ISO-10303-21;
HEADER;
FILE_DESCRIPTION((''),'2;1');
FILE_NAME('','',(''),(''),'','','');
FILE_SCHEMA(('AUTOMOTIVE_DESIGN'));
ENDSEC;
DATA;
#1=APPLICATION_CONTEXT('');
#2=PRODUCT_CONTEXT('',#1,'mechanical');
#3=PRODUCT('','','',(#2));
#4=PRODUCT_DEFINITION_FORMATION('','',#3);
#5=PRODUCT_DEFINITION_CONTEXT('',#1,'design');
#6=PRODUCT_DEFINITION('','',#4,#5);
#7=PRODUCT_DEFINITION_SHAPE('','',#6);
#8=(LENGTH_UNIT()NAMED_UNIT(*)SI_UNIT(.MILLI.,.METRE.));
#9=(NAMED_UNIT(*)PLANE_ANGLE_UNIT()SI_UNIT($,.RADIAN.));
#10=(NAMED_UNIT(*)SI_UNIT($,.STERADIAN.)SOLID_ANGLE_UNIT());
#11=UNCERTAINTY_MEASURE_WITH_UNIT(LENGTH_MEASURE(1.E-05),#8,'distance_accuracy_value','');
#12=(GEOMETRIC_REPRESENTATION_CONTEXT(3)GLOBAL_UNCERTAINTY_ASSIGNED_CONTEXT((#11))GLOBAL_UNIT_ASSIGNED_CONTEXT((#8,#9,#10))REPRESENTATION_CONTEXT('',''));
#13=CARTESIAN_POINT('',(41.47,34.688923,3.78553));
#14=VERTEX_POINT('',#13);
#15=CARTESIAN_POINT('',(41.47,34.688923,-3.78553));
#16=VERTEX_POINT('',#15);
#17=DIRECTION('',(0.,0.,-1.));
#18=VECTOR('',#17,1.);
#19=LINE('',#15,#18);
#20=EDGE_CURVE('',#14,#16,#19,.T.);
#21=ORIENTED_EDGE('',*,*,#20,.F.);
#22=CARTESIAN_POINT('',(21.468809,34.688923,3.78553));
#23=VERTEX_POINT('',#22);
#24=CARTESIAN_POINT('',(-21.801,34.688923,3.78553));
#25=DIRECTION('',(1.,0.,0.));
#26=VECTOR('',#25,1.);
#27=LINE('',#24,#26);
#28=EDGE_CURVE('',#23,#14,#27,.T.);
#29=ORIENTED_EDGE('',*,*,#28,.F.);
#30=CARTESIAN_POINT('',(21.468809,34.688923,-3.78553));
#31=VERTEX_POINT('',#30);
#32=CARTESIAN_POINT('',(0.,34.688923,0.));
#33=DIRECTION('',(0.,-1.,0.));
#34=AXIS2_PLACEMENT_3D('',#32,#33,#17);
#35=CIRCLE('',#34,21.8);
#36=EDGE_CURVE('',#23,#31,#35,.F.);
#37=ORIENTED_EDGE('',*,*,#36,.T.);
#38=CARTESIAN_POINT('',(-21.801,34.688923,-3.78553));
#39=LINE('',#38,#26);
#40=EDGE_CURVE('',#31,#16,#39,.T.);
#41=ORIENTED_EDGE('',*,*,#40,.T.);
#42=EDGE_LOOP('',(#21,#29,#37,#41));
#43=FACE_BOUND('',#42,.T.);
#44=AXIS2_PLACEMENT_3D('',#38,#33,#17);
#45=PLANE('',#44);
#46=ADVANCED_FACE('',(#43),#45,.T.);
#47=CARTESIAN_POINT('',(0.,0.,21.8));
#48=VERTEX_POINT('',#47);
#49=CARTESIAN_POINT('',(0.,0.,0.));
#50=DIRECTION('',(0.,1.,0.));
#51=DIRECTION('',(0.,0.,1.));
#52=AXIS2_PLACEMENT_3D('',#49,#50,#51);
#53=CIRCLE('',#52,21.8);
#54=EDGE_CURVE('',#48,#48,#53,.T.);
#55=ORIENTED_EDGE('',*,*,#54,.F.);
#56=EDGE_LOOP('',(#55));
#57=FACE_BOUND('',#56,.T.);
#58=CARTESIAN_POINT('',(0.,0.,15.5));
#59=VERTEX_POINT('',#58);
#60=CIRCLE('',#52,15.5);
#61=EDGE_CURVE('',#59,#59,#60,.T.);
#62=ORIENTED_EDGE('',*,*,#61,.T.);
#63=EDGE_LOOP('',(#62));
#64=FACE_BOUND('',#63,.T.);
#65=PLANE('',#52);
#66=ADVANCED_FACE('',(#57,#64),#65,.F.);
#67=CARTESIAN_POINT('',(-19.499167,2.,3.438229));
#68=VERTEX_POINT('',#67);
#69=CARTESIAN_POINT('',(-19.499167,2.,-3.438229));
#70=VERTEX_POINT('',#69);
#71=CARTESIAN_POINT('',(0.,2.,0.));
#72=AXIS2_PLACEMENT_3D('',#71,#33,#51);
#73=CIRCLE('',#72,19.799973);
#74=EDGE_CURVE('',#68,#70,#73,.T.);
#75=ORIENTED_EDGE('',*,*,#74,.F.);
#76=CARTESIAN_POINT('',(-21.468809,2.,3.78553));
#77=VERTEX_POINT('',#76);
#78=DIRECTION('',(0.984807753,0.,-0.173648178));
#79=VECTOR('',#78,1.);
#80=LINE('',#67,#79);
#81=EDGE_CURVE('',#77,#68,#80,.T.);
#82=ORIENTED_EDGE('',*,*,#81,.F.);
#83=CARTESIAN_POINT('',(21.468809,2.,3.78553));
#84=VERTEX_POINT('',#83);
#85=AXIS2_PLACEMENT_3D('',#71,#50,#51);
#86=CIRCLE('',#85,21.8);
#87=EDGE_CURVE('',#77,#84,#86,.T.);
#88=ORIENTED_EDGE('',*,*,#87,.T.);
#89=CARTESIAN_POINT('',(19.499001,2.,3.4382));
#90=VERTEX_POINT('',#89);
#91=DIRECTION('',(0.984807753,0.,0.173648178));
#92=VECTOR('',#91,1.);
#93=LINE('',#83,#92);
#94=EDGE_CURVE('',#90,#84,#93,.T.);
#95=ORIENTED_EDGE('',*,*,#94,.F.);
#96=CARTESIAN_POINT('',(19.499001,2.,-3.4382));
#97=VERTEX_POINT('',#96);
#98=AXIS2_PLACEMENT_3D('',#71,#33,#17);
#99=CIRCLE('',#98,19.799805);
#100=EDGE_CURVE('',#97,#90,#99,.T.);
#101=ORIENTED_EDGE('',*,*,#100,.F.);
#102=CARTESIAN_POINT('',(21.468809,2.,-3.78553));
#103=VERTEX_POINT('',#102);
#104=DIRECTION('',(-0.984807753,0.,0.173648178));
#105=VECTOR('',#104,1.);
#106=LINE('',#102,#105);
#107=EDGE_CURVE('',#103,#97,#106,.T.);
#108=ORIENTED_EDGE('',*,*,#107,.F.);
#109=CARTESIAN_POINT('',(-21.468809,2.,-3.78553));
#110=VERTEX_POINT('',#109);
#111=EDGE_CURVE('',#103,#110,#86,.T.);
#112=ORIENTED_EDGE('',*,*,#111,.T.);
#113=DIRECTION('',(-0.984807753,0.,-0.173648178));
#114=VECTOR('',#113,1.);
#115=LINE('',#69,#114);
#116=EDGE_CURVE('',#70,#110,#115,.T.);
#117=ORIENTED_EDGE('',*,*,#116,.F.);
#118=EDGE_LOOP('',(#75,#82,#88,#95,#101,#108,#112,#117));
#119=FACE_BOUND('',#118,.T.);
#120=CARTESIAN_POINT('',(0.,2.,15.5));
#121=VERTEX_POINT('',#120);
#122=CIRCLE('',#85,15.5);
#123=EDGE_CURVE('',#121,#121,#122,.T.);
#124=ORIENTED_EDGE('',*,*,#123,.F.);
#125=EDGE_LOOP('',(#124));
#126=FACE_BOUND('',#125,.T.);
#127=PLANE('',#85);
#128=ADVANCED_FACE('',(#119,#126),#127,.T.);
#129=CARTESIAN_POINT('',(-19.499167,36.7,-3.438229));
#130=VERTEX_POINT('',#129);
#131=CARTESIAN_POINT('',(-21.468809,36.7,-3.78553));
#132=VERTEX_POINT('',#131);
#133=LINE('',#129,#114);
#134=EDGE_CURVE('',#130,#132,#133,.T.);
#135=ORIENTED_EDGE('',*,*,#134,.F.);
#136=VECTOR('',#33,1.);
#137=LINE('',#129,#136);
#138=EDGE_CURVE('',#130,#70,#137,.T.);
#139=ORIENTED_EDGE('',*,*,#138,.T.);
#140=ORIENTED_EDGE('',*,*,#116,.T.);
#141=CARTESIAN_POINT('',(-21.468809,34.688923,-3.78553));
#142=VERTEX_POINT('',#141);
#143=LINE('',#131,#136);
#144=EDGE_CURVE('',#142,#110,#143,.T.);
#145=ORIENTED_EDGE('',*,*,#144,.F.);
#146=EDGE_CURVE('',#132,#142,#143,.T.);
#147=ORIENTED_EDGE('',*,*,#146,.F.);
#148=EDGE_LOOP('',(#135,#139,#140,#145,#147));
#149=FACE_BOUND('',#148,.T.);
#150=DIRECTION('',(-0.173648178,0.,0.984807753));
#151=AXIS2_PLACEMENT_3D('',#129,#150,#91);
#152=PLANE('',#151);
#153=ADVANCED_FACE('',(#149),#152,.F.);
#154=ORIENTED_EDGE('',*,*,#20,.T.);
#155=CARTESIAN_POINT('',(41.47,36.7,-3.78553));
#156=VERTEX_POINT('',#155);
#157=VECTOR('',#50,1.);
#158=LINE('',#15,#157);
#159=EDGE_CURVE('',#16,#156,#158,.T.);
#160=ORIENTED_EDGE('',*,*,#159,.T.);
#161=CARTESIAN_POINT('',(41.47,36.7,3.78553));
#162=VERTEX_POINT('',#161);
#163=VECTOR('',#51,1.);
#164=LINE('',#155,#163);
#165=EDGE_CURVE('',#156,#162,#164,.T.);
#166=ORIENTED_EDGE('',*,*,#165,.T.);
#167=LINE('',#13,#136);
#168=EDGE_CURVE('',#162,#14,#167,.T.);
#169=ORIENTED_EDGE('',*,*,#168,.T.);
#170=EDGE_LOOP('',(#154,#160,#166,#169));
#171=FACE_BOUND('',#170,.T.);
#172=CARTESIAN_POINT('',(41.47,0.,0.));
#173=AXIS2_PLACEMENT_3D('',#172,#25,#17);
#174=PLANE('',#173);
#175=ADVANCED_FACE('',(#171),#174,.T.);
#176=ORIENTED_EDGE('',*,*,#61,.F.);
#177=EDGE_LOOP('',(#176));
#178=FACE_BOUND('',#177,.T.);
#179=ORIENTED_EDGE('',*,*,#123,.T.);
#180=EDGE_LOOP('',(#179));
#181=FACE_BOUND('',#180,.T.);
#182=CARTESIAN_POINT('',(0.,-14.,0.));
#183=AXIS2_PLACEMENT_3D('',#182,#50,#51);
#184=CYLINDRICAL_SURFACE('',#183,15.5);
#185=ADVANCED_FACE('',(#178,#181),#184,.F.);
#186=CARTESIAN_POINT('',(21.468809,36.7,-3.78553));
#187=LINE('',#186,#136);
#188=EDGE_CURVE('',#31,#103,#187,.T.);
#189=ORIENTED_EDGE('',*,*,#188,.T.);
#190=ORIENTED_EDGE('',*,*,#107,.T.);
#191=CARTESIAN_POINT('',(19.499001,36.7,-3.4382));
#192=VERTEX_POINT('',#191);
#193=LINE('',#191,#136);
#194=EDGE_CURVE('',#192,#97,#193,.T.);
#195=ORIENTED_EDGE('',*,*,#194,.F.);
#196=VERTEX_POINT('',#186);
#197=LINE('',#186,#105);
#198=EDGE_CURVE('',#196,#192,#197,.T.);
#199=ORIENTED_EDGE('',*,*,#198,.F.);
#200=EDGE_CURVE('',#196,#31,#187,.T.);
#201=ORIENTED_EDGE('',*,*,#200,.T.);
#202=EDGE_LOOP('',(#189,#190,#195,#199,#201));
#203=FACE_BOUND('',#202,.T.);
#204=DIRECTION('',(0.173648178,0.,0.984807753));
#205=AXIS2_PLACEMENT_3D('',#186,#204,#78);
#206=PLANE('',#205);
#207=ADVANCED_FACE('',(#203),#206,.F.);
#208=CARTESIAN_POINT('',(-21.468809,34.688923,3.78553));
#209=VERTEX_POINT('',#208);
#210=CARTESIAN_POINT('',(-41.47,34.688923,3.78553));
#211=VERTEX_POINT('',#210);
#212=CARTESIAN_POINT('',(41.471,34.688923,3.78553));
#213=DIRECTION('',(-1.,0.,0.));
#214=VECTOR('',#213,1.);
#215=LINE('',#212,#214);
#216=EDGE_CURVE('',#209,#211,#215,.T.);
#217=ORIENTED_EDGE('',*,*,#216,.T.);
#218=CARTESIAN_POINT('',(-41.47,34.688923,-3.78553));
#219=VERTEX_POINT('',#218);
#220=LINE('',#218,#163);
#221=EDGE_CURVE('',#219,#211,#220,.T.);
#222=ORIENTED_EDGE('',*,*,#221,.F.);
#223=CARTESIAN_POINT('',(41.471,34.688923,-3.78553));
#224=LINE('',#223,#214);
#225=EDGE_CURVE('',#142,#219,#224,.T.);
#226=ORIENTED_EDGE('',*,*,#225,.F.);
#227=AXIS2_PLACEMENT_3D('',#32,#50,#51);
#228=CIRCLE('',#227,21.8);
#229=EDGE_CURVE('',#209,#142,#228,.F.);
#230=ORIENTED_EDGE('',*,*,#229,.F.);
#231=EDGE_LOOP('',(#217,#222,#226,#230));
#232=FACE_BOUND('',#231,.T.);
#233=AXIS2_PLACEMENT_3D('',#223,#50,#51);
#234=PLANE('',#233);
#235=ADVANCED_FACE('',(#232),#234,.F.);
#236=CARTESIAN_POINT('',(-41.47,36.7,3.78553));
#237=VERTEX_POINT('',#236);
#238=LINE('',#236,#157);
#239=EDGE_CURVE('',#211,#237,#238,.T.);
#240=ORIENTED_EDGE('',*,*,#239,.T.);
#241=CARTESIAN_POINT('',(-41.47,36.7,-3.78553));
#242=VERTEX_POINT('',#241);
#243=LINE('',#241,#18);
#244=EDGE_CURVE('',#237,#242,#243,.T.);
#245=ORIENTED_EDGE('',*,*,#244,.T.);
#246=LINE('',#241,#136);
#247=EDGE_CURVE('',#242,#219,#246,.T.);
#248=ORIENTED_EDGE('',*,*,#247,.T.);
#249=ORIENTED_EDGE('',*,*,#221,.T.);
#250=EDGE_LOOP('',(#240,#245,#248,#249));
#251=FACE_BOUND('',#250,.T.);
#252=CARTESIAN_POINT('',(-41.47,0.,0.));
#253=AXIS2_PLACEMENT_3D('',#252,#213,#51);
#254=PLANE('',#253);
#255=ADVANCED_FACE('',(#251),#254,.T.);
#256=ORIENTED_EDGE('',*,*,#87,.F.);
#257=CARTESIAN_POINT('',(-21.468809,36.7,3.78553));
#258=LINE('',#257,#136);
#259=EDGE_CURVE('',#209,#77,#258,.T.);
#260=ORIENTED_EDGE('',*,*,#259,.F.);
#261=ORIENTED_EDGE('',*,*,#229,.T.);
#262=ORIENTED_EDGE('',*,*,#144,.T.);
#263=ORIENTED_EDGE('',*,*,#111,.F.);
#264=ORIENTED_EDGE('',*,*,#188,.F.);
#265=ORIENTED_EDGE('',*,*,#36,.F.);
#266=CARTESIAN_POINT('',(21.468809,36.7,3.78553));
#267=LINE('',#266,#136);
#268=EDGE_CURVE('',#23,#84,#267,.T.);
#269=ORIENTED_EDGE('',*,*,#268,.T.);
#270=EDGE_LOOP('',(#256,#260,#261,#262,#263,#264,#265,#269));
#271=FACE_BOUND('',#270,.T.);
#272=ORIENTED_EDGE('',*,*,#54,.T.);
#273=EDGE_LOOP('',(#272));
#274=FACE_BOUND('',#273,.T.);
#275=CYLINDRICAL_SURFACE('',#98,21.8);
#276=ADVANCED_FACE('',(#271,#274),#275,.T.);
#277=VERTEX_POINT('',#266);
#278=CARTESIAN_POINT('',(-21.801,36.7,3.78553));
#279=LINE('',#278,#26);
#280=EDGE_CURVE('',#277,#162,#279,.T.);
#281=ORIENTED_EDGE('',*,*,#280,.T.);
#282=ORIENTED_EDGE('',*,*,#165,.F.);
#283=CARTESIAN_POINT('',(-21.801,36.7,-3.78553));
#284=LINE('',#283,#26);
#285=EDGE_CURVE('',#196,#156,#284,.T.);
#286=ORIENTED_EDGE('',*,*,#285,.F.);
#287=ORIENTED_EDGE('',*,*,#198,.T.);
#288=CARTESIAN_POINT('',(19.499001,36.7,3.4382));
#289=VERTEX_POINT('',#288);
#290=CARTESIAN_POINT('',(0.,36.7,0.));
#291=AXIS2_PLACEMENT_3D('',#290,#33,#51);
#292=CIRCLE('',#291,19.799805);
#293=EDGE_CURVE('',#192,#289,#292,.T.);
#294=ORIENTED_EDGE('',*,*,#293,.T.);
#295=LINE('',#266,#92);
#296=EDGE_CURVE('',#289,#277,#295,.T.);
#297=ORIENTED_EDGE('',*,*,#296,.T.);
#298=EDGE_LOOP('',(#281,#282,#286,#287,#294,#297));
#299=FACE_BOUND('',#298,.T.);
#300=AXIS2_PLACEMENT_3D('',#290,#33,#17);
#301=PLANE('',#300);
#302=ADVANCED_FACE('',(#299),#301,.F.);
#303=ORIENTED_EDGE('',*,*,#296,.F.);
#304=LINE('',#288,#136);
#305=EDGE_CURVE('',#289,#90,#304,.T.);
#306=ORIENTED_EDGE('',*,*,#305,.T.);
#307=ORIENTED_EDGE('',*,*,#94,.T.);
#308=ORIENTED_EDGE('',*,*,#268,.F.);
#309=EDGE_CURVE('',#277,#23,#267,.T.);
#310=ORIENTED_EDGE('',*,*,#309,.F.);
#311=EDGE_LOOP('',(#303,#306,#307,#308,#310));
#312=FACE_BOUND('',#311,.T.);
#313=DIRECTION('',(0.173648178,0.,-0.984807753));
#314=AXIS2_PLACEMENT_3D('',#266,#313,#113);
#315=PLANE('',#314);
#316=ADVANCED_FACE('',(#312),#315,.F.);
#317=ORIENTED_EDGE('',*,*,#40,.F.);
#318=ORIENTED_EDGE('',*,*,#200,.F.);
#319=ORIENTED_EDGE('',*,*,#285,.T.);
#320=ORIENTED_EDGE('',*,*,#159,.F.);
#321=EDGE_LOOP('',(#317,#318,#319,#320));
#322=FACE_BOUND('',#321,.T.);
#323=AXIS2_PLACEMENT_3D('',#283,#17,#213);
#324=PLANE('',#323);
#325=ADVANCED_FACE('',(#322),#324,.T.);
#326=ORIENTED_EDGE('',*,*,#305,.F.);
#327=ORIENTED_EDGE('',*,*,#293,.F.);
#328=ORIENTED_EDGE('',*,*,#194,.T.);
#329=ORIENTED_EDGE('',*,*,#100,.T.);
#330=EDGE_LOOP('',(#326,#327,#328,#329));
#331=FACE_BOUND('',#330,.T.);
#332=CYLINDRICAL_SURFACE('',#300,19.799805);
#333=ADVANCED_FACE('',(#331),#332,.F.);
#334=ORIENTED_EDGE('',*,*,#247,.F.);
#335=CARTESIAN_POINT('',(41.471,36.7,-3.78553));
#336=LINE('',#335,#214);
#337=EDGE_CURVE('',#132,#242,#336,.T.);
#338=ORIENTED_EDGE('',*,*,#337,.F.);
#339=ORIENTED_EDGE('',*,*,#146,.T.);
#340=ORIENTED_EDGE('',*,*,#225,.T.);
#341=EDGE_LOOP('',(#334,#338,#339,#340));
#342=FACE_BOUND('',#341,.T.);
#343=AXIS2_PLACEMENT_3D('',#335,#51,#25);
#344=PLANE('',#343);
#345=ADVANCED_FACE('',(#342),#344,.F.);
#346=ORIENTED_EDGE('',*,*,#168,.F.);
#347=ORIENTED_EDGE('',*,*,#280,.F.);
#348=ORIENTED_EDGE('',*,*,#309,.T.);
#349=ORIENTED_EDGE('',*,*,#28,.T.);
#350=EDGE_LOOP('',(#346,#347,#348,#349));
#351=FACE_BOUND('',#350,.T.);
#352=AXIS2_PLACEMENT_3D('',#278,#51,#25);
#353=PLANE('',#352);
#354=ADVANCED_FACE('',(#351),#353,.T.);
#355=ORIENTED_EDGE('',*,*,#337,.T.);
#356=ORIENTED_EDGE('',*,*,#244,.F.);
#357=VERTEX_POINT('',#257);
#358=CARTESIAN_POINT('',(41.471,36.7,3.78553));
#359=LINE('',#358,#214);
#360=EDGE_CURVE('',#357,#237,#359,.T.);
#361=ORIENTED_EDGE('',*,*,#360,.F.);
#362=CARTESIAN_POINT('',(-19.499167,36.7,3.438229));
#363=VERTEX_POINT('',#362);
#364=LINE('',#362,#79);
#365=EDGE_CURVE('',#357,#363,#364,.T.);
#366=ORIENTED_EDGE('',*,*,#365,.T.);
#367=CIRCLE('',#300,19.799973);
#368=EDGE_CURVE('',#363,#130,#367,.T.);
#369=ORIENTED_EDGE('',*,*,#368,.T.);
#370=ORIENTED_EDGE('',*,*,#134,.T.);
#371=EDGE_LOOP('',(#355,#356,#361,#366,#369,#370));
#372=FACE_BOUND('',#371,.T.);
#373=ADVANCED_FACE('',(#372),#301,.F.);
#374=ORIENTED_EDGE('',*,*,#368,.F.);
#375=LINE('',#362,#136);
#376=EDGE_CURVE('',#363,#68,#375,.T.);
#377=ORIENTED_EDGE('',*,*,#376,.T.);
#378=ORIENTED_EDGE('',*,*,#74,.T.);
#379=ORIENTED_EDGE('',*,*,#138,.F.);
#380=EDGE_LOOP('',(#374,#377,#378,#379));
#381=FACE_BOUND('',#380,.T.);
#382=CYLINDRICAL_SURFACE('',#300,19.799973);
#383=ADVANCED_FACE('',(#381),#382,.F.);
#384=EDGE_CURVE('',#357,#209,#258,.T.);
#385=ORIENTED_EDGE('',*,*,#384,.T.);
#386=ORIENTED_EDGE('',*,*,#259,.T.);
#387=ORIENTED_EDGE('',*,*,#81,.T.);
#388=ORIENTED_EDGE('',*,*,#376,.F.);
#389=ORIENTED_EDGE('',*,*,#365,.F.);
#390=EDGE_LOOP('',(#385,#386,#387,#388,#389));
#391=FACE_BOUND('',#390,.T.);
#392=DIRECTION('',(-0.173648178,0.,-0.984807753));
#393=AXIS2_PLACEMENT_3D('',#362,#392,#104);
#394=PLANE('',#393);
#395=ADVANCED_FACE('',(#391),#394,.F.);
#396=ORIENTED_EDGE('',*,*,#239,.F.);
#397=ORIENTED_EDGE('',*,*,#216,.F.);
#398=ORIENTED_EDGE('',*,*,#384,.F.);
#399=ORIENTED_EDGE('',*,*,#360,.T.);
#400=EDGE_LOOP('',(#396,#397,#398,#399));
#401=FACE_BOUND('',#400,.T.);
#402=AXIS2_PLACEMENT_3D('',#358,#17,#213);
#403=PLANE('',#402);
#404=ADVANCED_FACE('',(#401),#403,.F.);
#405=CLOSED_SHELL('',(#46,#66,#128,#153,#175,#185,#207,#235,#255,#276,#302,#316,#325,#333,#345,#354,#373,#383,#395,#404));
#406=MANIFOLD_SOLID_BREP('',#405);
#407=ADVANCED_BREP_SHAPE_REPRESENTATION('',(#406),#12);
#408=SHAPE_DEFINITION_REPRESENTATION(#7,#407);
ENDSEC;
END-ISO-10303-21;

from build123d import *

# Parameters (mm, degrees)
SKETCH1_R           = 21.8
BOSS_EXTRUDE1_DEPTH = 2
SKETCH2_R           = 15.5
CUT_EXTRUDE1_DEPTH  = 16
BOSS_EXTRUDE2_DEPTH = 34.7
BOSS_EXTRUDE3_START = 21.468809
SKETCH4_W           = 7.571060546
SKETCH4_H           = 2.011077307
BOSS_EXTRUDE3_DEPTH = 13.531191
SKETCH5_W           = 7.571060546
SKETCH5_H           = 2.011077307
BOSS_EXTRUDE4_DEPTH = 3
SKETCH6_W           = 7.571060546
SKETCH6_H           = 2.011077307
BOSS_EXTRUDE5_DEPTH = 3.47
BOSS_EXTRUDE6_START = -35
SKETCH7_W           = 7.571060546
SKETCH7_H           = 2.011077307
BOSS_EXTRUDE6_DEPTH = 13.531191
SKETCH8_W           = 7.571060546
SKETCH8_H           = 2.011077307
BOSS_EXTRUDE7_DEPTH = 6.47


with BuildPart() as part:
    # Sketch1 → Boss-Extrude1 (new body)
    with BuildSketch(Plane(origin=(0, 0, 0), x_dir=(1, 0, 0), z_dir=(0, 1, 0))):
        Circle(SKETCH1_R)
    extrude(amount=BOSS_EXTRUDE1_DEPTH)

    # Sketch2 → Cut-Extrude1 (cut)
    with BuildSketch(Plane(origin=(0, 2, 0), x_dir=(1, 0, 0), z_dir=(0, 1, 0))):
        Circle(SKETCH2_R)
    extrude(amount=-CUT_EXTRUDE1_DEPTH, mode=Mode.SUBTRACT)

    # Sketch3 → Boss-Extrude2 (add)
    with BuildSketch(Plane(origin=(0, 2, 0), x_dir=(1, 0, 0), z_dir=(0, 1, 0))):
        with BuildLine():
            Line((-19.499166961, 3.438229237), (-21.468809016, 3.785530273))
            ThreePointArc((-21.468809016, 3.785530273), (-21.717044418, 1.899995192), (-21.8, 0))
            ThreePointArc((-21.8, 0), (-21.717044418, -1.899995192), (-21.468809016, -3.785530273))
            Line((-21.468809016, -3.785530273), (-19.499166961, -3.438229237))
            ThreePointArc((-19.499166961, -3.438229237), (-19.724628167, -1.725681357), (-19.799973042, 0))
            ThreePointArc((-19.799973042, 0), (-19.724628167, 1.725681357), (-19.499166961, 3.438229237))
        make_face()
        with BuildLine():
            Line((21.468809016, -3.785530273), (19.499001497, -3.438200061))
            ThreePointArc((19.499001497, -3.438200061), (19.72446079, -1.725666713), (19.799805025, 0))
            ThreePointArc((19.799805025, 0), (19.72446079, 1.725666713), (19.499001497, 3.438200061))
            Line((19.499001497, 3.438200061), (21.468809016, 3.785530273))
            ThreePointArc((21.468809016, 3.785530273), (21.717044418, 1.899995192), (21.8, 0))
            ThreePointArc((21.8, 0), (21.717044418, -1.899995192), (21.468809016, -3.785530273))
        make_face()
    extrude(amount=BOSS_EXTRUDE2_DEPTH)

    # Sketch4 → Boss-Extrude3 (add)
    with BuildSketch(Plane(origin=(0, 0, 0), x_dir=(0, 0, -1), z_dir=(1, 0, 0)).offset(BOSS_EXTRUDE3_START)):
        with Locations((0, 35.694461347)):
            Rectangle(SKETCH4_W, SKETCH4_H)
    extrude(amount=BOSS_EXTRUDE3_DEPTH)

    # Sketch5 → Boss-Extrude4 (add)
    with BuildSketch(Plane(origin=(35, 0, 0), x_dir=(0, 0, -1), z_dir=(1, 0, 0))):
        with Locations((0, 35.694461347)):
            Rectangle(SKETCH5_W, SKETCH5_H)
    extrude(amount=BOSS_EXTRUDE4_DEPTH)

    # Sketch6 → Boss-Extrude5 (add)
    with BuildSketch(Plane(origin=(38, 0, 0), x_dir=(0, 0, -1), z_dir=(1, 0, 0))):
        with Locations((0, 35.694461347)):
            Rectangle(SKETCH6_W, SKETCH6_H)
    extrude(amount=BOSS_EXTRUDE5_DEPTH)

    # Sketch7 → Boss-Extrude6 (add)
    with BuildSketch(Plane(origin=(0, 0, 0), x_dir=(0, 0, -1), z_dir=(1, 0, 0)).offset(BOSS_EXTRUDE6_START)):
        with Locations((0, 35.694461347)):
            Rectangle(SKETCH7_W, SKETCH7_H)
    extrude(amount=BOSS_EXTRUDE6_DEPTH)

    # Sketch8 → Boss-Extrude7 (add)
    with BuildSketch(Plane(origin=(-35, 34.688922693, 3.785530273), x_dir=(0, 0, 1), z_dir=(-1, 0, 0))):
        with Locations((-3.785530273, 1.005538654)):
            Rectangle(SKETCH8_W, SKETCH8_H)
    extrude(amount=BOSS_EXTRUDE7_DEPTH)


solid = part.part
